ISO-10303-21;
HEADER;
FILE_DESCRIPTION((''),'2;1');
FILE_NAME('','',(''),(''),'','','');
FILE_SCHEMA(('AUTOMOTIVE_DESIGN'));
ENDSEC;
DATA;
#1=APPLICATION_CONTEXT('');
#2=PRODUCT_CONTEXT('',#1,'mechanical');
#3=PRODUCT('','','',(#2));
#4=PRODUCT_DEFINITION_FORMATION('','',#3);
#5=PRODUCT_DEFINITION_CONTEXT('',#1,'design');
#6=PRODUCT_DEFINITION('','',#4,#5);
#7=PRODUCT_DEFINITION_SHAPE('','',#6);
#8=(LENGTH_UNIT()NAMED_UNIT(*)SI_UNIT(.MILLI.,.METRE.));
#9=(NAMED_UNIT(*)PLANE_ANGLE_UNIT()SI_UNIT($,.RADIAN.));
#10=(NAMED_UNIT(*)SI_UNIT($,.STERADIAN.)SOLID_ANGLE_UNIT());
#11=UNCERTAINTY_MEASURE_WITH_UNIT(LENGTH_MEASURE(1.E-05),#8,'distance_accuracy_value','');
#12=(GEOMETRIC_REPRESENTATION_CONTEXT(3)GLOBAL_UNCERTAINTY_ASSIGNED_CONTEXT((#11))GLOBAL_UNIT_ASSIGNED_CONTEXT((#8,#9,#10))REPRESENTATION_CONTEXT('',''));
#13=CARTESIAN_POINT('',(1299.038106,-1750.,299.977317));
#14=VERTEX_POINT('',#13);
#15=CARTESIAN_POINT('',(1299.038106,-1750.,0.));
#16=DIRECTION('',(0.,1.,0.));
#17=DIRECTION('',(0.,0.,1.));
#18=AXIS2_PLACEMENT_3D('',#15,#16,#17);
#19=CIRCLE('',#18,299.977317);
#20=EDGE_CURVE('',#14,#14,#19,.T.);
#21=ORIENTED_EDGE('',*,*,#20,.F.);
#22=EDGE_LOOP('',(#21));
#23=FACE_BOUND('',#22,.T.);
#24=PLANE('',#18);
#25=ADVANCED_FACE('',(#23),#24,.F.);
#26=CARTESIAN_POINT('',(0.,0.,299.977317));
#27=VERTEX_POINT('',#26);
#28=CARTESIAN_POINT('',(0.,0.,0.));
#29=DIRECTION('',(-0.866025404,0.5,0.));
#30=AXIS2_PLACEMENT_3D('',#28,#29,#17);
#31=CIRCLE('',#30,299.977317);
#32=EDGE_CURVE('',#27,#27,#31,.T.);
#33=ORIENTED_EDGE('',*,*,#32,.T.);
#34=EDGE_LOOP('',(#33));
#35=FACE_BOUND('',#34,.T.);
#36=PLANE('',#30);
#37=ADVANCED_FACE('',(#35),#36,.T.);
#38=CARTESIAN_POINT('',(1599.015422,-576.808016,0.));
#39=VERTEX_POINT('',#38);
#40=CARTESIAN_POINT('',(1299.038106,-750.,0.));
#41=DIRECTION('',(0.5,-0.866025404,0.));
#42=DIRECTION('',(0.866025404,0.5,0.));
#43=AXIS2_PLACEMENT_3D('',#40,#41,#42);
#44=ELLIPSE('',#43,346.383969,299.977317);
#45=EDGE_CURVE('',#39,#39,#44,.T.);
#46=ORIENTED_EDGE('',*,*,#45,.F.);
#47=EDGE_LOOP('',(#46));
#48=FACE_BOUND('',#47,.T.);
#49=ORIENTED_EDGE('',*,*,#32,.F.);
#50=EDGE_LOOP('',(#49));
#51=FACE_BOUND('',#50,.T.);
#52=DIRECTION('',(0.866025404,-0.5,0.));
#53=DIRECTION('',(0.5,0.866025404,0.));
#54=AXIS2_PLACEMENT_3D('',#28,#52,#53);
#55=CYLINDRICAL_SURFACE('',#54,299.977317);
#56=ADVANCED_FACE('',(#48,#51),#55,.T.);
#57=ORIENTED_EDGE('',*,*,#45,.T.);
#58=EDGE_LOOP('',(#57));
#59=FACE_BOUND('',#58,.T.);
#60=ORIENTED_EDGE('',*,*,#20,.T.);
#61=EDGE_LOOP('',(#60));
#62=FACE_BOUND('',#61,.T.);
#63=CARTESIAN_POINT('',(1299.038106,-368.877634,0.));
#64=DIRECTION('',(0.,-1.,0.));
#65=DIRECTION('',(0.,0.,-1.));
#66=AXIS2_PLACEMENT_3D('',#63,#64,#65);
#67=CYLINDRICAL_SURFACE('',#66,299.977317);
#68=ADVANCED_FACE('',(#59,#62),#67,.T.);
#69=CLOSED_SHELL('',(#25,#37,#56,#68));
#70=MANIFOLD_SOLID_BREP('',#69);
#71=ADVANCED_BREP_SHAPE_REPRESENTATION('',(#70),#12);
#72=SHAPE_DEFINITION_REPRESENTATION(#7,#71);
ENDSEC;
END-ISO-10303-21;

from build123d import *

# Parameters (mm, degrees)
SKETCH6_R = 299.977316584


with BuildPart() as part:
    # Sweep2: sweep along a path in Sketch5
    with BuildLine(Plane.XY) as sweep2_path:
        Line((0, 0), (1299.038105677, -750))
        Line((1299.038105677, -750), (1299.038105677, -1750))
    # Sketch6 → Sweep2 (sweep)
    with BuildSketch(Plane(origin=(0, -1750, 0), x_dir=(1, 0, 0), z_dir=(0, 1, 0))):
        with Locations((1299.038105677, 0)):
            Circle(SKETCH6_R)
    sweep(path=sweep2_path.line, transition=Transition.RIGHT)


solid = part.part
